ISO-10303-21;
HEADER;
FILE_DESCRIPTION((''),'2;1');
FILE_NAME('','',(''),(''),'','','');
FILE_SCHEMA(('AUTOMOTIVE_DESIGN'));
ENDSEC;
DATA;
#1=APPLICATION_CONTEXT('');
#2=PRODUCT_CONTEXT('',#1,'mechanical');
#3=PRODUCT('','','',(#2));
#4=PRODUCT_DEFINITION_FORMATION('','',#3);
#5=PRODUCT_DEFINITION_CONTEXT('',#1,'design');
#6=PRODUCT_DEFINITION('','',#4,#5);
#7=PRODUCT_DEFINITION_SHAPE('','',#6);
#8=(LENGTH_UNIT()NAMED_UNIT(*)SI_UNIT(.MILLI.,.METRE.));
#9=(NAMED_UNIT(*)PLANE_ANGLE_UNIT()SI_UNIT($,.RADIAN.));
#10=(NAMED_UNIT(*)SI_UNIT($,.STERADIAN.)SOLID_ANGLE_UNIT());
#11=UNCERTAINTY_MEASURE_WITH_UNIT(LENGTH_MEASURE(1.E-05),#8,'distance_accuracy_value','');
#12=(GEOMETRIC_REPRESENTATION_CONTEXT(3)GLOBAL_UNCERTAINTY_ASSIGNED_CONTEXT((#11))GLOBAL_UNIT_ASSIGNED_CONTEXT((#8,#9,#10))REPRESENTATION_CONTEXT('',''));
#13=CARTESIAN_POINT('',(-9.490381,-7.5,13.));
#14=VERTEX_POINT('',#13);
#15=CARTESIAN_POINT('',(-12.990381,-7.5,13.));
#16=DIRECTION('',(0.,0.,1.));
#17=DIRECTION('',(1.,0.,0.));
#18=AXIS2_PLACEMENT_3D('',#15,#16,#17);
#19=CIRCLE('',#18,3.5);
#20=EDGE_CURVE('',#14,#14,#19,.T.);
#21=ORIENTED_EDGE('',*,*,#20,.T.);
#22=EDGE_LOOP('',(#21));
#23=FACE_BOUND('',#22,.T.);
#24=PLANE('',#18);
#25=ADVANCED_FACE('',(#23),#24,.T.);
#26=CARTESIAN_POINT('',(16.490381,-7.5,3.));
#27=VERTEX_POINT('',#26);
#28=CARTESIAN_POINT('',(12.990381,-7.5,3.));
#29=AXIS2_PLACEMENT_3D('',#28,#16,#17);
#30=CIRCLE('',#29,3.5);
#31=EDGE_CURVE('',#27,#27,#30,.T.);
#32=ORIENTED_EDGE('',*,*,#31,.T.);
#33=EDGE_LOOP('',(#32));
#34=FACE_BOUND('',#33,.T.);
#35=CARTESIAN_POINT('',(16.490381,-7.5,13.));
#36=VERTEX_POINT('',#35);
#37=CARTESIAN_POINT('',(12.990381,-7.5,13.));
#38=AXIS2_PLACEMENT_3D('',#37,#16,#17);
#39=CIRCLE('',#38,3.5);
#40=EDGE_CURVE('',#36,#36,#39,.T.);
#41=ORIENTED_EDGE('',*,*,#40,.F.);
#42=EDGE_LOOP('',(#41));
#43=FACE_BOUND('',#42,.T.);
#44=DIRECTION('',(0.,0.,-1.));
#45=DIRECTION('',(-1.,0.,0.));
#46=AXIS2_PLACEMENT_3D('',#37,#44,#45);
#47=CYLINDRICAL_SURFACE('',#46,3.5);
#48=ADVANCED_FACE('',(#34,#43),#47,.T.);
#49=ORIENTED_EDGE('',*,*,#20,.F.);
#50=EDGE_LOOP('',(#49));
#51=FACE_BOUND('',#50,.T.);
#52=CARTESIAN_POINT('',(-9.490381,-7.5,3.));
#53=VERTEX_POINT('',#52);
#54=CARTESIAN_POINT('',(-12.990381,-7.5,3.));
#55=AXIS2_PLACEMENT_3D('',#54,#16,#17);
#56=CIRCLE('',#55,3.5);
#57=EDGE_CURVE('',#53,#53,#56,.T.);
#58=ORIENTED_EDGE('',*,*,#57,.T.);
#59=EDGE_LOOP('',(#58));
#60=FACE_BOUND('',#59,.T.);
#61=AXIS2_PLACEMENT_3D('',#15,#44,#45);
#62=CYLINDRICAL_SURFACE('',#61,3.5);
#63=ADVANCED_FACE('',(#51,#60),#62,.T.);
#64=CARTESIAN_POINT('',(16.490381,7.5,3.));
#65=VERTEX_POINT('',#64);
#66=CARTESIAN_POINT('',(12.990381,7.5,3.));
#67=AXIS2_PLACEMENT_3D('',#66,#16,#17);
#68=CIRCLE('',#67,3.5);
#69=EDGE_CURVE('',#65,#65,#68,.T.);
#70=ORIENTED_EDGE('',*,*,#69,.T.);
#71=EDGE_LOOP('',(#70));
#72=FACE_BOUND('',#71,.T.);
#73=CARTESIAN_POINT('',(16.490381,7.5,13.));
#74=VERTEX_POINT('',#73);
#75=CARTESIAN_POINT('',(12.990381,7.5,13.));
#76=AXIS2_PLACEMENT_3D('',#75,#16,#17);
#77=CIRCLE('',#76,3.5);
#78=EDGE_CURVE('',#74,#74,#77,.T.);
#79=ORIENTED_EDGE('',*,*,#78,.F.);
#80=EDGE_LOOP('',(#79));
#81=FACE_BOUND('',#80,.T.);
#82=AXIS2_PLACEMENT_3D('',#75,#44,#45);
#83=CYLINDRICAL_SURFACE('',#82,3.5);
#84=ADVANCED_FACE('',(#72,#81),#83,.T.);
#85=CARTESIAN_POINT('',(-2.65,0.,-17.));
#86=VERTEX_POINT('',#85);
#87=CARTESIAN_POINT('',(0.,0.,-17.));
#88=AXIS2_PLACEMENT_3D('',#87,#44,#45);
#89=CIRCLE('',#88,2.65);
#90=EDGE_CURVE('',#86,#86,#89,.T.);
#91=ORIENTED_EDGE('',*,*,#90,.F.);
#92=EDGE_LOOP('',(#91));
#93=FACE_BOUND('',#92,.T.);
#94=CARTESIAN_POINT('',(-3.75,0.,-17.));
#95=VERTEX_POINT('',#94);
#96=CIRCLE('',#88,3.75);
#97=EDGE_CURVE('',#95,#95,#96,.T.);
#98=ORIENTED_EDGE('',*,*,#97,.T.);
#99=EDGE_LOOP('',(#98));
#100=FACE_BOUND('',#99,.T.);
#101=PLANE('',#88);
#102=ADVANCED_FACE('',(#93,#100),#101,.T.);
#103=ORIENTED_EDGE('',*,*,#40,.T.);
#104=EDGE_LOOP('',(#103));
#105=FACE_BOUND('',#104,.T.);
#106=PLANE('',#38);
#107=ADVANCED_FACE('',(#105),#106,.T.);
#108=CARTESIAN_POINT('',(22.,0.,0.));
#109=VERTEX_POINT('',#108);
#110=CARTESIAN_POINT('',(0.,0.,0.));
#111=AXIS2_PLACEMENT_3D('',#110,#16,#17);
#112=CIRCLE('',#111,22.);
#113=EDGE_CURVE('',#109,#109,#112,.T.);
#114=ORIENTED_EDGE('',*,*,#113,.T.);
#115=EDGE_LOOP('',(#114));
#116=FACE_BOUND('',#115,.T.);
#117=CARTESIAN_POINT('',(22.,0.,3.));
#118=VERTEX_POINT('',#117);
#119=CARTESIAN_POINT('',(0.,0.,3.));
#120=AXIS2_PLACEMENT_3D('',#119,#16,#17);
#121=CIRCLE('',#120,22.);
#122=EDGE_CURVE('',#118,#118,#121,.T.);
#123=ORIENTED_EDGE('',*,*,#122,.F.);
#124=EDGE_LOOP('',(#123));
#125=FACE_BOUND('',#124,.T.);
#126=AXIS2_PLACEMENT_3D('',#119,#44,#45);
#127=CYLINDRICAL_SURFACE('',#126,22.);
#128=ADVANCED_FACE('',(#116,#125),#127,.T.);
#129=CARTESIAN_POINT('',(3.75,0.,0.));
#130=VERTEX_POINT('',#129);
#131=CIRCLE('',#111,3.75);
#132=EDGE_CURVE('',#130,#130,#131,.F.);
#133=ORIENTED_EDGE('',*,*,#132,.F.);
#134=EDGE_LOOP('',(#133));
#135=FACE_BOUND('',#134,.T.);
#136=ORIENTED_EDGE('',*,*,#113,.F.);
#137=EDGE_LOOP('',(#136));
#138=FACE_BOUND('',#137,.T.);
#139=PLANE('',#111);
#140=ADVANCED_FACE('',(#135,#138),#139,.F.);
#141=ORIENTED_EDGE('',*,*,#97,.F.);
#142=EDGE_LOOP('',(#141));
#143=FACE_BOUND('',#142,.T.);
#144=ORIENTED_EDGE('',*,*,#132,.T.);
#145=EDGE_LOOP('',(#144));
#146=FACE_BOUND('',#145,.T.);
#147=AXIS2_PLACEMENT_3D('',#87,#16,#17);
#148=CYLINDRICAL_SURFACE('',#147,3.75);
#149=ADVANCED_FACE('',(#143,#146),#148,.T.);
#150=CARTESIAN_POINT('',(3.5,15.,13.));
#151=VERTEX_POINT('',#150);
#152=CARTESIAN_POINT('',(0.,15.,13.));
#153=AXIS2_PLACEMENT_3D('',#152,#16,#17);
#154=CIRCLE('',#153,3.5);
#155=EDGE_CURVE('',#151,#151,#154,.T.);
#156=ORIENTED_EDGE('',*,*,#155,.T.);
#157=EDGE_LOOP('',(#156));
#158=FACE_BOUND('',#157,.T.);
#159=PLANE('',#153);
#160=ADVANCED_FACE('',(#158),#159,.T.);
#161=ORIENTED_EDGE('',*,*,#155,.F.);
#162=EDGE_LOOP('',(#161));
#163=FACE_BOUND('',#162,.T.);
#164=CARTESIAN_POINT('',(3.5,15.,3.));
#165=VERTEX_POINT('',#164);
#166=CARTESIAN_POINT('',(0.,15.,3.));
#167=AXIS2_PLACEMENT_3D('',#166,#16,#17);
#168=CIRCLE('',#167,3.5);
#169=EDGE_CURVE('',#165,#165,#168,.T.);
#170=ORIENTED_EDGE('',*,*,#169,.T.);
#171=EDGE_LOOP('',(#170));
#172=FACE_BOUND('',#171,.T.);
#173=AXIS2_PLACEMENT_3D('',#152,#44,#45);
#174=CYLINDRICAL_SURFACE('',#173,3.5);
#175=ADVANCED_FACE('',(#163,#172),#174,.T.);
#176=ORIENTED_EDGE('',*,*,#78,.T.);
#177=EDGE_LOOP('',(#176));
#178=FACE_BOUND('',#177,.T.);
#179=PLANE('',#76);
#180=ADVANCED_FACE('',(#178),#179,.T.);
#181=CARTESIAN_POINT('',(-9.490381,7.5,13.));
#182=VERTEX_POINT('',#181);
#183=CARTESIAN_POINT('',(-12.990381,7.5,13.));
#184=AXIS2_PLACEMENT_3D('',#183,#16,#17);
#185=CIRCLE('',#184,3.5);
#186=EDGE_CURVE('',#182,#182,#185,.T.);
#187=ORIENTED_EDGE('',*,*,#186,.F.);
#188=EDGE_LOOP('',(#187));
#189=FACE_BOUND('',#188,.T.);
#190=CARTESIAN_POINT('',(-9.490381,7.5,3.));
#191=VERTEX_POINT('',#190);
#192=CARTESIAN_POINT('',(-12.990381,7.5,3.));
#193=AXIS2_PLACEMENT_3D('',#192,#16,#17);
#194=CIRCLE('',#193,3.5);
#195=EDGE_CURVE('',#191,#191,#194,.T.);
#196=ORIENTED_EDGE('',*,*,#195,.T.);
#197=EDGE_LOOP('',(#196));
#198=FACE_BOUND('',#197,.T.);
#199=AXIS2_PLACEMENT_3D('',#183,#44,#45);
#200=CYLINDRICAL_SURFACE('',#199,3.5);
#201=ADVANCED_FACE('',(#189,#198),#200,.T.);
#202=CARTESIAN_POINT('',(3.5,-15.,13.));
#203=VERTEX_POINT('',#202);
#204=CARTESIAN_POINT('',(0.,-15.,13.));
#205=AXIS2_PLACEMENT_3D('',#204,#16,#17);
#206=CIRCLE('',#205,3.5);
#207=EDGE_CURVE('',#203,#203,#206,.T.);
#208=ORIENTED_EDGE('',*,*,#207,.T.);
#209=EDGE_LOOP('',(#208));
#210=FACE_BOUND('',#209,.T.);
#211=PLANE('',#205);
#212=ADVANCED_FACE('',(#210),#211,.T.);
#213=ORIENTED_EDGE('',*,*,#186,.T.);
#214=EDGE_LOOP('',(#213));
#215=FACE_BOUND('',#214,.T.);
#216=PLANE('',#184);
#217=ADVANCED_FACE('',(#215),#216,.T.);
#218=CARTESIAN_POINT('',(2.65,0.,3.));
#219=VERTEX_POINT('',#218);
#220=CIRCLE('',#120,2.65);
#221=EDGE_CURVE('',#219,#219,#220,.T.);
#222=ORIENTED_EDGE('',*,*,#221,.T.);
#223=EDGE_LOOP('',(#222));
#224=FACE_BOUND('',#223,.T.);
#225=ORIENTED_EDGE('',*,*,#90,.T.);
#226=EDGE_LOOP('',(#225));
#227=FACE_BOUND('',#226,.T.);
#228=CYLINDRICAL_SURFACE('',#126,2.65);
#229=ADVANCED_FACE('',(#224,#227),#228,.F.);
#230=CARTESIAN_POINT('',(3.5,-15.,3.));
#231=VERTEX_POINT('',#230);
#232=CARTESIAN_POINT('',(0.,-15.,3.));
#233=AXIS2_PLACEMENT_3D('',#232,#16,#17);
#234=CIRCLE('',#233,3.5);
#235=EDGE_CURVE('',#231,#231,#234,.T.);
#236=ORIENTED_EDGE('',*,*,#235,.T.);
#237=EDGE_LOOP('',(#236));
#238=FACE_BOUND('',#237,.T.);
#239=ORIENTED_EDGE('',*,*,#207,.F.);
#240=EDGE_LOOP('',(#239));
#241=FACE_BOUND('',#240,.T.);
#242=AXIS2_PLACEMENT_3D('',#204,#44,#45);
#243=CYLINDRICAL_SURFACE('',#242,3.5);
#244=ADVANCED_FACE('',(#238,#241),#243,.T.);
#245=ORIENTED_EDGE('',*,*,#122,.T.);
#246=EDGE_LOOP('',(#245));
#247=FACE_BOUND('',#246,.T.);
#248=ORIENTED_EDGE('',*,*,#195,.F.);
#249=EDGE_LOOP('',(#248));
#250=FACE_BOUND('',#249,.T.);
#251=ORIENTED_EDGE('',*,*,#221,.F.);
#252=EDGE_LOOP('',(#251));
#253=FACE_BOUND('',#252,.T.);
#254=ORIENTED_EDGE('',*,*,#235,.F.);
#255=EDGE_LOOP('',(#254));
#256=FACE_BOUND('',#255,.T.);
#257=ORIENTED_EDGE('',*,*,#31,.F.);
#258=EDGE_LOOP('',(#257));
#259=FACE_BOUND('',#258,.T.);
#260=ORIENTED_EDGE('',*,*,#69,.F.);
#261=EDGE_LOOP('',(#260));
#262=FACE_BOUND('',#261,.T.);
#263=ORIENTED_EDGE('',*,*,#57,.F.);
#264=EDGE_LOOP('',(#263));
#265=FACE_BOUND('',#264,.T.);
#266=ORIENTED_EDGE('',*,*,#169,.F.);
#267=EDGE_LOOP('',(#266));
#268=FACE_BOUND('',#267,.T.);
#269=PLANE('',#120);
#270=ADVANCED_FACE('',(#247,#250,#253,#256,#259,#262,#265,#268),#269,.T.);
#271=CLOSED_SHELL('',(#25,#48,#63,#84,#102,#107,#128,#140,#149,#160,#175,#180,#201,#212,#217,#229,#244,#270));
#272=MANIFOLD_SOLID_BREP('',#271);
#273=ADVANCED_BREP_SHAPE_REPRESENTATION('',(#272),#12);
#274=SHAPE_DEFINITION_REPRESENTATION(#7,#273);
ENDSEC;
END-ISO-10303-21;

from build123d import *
from build123d.topology import SkipClean

# Parameters (mm, degrees)
SKETCH1_R           = 22
SKETCH1_R_2         = 2.65
BOSS_EXTRUDE1_DEPTH = 3
SKETCH2_R           = 3.5
BOSS_EXTRUDE2_DEPTH = 10
BOSS_EXTRUDE3_START = 17
SKETCH3_R           = 3.75
SKETCH3_R_2         = 2.65
BOSS_EXTRUDE3_DEPTH = 17


with BuildPart() as part:
    # Sketch1 → Boss-Extrude1 (new body)
    with BuildSketch(Plane.XY):
        Circle(SKETCH1_R)
        Circle(SKETCH1_R_2, mode=Mode.SUBTRACT)
    extrude(amount=BOSS_EXTRUDE1_DEPTH)

    # Sketch2 → Boss-Extrude2 (add)
    with BuildSketch(Plane.XY.offset(3)):
        with Locations((0, 15)):
            Circle(SKETCH2_R)
        with Locations((12.990381057, 7.5)):
            Circle(SKETCH2_R)
        with Locations((12.990381057, -7.5)):
            Circle(SKETCH2_R)
        with Locations((0, -15)):
            Circle(SKETCH2_R)
        with Locations((-12.990381057, -7.5)):
            Circle(SKETCH2_R)
        with Locations((-12.990381057, 7.5)):
            Circle(SKETCH2_R)
    extrude(amount=BOSS_EXTRUDE2_DEPTH)

    # Sketch3 → Boss-Extrude3 (add)
    with SkipClean():  # the faces are left unmerged after this step: merging them gives an invalid solid
        with BuildSketch(Plane(origin=(0, 0, 0), x_dir=(-1, 0, 0), z_dir=(0, 0, -1)).offset(BOSS_EXTRUDE3_START)):
            with Locations(Location((0, 0, 0), (0, 0, 180))):
                Circle(SKETCH3_R)
            Circle(SKETCH3_R_2, mode=Mode.SUBTRACT)
        extrude(amount=-BOSS_EXTRUDE3_DEPTH)


solid = part.part
